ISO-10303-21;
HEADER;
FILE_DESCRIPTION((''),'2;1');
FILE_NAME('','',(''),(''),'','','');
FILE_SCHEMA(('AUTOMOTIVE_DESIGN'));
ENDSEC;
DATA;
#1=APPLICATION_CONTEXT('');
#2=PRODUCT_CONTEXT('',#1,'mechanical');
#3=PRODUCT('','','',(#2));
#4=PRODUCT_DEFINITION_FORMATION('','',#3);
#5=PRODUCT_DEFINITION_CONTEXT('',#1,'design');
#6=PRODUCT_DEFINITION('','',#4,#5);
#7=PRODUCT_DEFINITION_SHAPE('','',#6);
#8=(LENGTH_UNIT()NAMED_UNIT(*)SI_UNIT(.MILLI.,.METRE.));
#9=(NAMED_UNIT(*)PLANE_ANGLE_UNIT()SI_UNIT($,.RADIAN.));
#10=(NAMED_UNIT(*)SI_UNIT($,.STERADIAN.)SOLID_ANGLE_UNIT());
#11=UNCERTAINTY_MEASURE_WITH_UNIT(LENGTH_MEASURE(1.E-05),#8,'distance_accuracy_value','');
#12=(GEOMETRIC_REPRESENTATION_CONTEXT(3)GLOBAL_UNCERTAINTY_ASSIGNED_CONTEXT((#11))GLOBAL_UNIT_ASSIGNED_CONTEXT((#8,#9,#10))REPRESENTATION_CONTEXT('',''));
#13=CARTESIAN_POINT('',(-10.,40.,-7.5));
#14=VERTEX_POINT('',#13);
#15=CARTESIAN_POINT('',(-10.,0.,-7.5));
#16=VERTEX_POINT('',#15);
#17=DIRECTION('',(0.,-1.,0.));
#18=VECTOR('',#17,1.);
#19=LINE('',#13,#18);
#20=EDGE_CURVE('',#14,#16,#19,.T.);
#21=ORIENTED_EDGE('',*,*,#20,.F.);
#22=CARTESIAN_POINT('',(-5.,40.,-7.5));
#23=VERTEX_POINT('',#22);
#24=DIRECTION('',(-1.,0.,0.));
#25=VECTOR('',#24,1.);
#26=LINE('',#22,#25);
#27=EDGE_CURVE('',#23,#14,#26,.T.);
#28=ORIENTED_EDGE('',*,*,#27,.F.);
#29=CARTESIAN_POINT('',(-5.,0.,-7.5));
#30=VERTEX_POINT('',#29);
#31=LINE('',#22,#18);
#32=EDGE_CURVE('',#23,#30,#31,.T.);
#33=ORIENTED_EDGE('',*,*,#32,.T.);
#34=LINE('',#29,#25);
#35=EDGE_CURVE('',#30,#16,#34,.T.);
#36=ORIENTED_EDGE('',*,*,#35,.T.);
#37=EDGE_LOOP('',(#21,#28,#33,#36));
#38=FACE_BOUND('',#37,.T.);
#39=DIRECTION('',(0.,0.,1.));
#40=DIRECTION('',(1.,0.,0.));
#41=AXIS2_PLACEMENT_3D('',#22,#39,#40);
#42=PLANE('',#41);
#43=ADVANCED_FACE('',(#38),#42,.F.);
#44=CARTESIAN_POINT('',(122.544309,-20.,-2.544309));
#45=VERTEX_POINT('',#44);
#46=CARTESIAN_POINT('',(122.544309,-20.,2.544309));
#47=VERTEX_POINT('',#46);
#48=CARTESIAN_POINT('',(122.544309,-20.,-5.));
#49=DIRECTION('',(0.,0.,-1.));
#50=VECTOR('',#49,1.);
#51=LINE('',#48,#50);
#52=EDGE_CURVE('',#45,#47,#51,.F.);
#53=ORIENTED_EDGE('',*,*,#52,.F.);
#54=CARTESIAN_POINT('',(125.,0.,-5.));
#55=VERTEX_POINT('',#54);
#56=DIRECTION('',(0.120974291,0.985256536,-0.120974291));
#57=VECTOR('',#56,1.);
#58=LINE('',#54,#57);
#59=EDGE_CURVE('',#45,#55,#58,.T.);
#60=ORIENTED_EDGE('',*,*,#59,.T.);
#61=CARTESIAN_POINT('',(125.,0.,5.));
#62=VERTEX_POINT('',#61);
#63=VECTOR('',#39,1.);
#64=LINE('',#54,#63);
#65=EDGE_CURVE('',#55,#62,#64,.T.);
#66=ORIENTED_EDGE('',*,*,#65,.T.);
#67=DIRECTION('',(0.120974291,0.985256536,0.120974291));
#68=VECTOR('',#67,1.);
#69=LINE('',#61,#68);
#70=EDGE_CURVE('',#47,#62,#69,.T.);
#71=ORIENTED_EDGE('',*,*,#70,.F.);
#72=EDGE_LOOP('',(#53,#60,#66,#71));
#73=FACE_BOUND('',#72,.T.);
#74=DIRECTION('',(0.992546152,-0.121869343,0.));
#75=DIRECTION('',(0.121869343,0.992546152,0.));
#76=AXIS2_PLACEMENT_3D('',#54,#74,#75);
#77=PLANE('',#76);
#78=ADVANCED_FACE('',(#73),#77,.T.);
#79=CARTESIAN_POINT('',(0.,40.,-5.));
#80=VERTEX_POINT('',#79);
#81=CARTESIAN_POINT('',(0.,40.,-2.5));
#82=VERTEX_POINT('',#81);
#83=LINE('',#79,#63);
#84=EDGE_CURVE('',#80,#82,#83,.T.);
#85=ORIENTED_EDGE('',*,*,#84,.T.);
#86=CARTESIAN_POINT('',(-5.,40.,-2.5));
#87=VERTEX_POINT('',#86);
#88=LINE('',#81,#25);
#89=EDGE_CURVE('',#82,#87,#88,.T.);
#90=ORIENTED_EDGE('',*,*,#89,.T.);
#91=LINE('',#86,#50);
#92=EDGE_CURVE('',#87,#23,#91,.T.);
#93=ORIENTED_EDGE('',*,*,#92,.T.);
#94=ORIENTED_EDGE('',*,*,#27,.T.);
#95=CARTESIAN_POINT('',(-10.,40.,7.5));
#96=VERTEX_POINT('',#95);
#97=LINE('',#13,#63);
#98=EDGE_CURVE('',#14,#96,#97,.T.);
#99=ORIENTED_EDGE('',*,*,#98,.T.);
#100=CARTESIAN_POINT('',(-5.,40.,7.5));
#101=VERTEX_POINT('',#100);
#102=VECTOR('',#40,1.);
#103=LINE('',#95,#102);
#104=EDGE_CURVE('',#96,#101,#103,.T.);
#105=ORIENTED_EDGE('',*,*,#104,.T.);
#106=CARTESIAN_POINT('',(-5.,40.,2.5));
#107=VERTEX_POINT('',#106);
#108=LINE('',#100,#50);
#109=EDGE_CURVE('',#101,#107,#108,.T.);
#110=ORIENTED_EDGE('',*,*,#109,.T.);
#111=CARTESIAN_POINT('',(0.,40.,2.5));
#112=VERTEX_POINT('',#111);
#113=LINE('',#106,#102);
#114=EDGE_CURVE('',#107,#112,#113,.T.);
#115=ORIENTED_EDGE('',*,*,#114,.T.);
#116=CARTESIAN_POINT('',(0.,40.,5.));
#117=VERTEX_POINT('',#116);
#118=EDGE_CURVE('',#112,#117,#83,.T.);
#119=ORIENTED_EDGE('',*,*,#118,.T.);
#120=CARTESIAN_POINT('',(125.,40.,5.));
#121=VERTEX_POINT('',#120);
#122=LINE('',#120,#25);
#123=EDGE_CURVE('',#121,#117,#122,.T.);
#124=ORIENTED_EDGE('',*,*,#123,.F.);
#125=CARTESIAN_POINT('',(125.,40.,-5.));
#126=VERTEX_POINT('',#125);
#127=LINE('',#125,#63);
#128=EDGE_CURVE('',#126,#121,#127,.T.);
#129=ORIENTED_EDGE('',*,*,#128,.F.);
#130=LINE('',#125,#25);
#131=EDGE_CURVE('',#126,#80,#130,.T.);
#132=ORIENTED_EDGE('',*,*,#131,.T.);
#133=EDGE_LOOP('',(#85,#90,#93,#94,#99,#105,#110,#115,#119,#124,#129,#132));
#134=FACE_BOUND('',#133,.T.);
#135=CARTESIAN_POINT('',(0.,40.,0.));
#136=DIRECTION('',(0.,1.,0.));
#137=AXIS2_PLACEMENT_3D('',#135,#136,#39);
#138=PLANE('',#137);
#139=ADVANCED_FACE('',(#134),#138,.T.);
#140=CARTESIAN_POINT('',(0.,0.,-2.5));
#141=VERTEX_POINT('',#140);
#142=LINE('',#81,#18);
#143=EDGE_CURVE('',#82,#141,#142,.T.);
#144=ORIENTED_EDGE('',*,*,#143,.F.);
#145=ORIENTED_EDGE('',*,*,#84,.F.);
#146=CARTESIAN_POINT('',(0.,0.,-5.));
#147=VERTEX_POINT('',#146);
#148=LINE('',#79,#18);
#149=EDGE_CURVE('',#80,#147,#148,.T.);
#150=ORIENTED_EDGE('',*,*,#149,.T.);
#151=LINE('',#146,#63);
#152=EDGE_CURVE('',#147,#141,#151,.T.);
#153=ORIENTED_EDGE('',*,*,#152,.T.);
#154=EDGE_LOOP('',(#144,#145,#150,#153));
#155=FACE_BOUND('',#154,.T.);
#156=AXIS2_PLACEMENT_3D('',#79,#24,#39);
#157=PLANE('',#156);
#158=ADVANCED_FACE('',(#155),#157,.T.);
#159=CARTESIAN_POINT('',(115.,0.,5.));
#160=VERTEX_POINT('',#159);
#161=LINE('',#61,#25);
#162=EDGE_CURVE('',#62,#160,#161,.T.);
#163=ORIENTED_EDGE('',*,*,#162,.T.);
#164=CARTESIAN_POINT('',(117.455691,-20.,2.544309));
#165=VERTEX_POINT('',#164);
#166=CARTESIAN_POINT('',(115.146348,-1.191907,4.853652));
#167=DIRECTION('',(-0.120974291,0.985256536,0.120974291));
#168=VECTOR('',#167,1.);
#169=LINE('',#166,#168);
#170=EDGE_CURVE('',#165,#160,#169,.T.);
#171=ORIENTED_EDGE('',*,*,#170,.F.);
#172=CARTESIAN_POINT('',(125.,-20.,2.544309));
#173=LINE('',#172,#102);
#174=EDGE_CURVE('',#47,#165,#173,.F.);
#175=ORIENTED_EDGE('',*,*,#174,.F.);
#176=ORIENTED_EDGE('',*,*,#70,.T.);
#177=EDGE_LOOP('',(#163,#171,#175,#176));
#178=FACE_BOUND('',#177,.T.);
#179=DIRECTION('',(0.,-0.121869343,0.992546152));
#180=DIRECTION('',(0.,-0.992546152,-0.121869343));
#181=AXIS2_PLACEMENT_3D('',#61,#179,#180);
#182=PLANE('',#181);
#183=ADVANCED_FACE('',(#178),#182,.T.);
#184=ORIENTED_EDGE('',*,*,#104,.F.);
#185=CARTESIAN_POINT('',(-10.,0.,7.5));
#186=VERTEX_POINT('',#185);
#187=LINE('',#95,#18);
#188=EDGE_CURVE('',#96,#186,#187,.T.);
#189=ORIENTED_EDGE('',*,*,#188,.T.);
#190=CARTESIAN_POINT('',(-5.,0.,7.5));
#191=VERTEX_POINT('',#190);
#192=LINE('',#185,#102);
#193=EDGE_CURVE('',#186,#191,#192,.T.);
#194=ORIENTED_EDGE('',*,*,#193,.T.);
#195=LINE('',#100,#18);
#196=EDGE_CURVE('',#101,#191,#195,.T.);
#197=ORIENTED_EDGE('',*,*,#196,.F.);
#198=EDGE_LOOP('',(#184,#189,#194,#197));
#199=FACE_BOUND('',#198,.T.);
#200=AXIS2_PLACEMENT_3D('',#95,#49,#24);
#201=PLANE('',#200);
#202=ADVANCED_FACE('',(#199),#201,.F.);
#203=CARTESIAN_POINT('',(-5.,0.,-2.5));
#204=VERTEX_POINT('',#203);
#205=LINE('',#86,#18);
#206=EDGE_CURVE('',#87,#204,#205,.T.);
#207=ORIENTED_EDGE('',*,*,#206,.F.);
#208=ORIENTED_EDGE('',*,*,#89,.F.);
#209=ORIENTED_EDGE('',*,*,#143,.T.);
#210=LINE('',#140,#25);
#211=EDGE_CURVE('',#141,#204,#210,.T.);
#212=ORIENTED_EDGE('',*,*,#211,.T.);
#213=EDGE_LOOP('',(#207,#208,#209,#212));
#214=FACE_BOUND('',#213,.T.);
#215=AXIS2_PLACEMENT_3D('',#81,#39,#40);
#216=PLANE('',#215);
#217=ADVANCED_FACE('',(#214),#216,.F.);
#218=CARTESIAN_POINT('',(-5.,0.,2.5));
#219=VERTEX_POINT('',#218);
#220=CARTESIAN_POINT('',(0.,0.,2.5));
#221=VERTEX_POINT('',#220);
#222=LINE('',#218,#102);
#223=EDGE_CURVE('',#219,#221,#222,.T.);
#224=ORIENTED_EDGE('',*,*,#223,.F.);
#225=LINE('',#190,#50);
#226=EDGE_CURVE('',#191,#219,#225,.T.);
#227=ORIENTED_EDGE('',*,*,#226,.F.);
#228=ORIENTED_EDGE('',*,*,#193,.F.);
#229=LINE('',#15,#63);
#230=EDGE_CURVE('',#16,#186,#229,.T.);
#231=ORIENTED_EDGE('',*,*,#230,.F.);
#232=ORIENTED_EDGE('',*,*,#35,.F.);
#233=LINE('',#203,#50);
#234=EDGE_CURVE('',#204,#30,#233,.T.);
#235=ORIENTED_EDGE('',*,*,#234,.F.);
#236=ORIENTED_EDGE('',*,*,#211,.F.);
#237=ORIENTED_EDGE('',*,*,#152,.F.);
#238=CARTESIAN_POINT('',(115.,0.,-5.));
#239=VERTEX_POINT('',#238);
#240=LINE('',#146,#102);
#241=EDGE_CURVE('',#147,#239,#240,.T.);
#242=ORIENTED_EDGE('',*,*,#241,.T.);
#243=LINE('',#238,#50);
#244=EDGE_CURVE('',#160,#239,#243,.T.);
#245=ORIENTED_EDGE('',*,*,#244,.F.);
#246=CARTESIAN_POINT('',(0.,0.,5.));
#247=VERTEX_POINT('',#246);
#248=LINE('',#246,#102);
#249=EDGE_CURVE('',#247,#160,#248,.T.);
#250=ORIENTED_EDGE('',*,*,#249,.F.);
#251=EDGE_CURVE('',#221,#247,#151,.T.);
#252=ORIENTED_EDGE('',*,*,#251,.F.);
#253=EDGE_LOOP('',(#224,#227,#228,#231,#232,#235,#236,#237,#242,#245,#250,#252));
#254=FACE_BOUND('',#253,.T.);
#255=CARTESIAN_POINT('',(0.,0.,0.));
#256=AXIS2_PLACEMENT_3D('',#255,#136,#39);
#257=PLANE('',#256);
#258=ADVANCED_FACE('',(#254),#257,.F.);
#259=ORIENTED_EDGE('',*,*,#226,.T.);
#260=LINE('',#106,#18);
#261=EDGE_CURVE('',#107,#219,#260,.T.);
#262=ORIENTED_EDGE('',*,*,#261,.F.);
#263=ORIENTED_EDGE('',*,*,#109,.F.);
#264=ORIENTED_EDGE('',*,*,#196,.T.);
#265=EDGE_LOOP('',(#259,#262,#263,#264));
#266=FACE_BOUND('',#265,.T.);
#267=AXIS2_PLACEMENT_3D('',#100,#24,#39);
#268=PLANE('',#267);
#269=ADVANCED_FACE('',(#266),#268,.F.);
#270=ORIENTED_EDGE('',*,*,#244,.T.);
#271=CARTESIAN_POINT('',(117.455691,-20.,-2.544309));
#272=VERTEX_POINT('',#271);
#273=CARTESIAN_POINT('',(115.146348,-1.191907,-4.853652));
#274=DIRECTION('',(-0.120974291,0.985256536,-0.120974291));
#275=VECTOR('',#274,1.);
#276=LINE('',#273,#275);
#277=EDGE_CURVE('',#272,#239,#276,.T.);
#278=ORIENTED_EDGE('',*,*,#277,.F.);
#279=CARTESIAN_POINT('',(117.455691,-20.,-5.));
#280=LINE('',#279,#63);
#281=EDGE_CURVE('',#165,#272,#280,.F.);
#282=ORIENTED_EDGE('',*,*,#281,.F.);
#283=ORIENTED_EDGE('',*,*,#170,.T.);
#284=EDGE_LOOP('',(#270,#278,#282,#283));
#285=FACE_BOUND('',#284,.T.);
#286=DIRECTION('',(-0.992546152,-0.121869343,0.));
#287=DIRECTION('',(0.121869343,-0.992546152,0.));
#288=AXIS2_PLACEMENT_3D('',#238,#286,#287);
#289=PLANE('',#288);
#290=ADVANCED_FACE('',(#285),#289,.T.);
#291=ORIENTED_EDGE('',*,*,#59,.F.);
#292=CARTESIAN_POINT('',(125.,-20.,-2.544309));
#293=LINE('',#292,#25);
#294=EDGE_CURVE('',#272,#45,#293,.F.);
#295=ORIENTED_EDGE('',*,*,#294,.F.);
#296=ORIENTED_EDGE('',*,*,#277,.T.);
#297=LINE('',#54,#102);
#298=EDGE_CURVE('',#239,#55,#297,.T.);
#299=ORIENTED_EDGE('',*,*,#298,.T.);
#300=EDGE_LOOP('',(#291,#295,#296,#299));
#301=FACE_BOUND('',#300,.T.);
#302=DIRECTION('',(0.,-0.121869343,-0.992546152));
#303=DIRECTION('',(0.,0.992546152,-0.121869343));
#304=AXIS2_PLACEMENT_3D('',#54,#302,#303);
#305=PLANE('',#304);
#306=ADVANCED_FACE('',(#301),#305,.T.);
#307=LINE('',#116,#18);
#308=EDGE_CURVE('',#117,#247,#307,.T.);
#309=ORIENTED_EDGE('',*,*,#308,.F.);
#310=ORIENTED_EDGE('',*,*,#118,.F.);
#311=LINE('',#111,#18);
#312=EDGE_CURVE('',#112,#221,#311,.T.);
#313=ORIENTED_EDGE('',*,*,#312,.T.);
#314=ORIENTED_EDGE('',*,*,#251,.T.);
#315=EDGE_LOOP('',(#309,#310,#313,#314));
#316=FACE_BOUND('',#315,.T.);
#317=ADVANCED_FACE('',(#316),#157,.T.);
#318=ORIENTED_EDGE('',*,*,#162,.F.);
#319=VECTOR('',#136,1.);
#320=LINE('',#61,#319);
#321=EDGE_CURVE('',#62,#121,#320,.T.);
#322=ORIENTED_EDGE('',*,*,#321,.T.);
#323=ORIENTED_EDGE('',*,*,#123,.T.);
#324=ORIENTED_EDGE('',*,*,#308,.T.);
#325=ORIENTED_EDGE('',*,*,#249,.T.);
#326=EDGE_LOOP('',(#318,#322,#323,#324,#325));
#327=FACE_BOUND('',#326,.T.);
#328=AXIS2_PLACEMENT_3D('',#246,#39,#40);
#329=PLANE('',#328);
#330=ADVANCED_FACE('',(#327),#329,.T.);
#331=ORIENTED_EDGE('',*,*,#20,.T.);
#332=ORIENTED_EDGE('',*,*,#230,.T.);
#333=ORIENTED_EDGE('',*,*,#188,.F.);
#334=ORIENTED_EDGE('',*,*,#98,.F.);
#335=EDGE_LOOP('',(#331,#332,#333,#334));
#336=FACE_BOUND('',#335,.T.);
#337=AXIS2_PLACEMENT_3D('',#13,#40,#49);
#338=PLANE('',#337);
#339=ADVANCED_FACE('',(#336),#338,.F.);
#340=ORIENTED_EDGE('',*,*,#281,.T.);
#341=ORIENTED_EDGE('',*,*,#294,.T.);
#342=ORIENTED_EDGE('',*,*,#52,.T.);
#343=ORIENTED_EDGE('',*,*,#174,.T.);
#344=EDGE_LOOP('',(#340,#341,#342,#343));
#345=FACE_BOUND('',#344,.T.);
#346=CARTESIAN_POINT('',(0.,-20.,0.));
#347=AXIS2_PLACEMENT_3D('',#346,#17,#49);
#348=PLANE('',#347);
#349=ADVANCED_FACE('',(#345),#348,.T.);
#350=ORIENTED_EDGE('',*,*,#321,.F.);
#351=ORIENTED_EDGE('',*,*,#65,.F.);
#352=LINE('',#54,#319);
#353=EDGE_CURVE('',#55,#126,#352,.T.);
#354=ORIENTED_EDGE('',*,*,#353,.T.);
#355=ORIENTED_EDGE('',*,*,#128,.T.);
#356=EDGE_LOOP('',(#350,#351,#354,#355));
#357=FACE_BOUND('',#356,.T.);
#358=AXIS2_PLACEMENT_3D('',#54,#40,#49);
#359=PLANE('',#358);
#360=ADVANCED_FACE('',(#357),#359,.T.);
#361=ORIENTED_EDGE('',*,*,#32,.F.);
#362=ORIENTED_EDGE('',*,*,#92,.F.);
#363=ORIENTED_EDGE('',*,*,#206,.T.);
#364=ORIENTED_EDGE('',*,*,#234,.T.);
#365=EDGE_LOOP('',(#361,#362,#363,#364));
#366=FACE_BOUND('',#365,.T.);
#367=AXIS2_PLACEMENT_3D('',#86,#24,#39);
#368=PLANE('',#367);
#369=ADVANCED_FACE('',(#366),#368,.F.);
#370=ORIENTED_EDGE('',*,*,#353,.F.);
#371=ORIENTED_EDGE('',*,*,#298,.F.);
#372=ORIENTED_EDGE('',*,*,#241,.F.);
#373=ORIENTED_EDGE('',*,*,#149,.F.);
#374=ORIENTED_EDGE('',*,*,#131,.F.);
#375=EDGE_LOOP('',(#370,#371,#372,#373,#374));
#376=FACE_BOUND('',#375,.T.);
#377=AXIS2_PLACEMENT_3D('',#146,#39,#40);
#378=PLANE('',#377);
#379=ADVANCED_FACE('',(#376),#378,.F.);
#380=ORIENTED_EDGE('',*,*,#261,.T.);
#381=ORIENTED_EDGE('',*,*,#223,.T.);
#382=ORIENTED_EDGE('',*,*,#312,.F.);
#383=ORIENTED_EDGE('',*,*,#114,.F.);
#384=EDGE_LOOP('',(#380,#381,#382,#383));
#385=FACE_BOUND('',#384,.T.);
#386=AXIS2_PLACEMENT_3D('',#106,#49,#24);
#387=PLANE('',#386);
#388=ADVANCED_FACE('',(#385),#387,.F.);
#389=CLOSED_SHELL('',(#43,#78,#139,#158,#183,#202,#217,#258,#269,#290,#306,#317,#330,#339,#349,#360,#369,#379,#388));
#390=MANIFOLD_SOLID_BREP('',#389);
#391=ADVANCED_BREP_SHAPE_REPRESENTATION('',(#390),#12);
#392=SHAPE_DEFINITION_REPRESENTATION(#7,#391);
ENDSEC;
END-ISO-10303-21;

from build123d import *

# Parameters (mm, degrees)
BOSS_EXTRUDE1_DEPTH      = 40
SKETCH3_W                = 125
SKETCH3_H                = 40
BOSS_EXTRUDE2_DEPTH      = 5
BOSS_EXTRUDE2_DEPTH_BACK = 5
SKETCH4_W                = 10
SKETCH4_H                = 10
BOSS_EXTRUDE3_DEPTH      = 20
BOSS_EXTRUDE3_TAPER      = 7


with BuildPart() as part:
    # Sketch2 → Boss-Extrude1 (new body)
    with BuildSketch(Plane(origin=(0, 0, 0), x_dir=(1, 0, 0), z_dir=(0, 1, 0))):
        Polygon((-10, 7.5), (-10, -7.5), (-5, -7.5), (-5, -2.5), (0, -2.5), (0, 2.5), (-5, 2.5), (-5, 7.5), align=None)
    extrude(amount=BOSS_EXTRUDE1_DEPTH)

    # Sketch3 → Boss-Extrude2 (add, two sides)
    with BuildSketch(Plane.XY) as boss_extrude2_sk:
        with Locations((62.5, 20)):
            Rectangle(SKETCH3_W, SKETCH3_H)
    extrude(amount=BOSS_EXTRUDE2_DEPTH)
    extrude(boss_extrude2_sk.sketch, amount=-BOSS_EXTRUDE2_DEPTH_BACK)

    # Sketch4 → Boss-Extrude3 (add)
    with BuildSketch(Plane.XZ):
        with Locations((120, 0)):
            Rectangle(SKETCH4_W, SKETCH4_H)
    extrude(amount=BOSS_EXTRUDE3_DEPTH, taper=BOSS_EXTRUDE3_TAPER)


solid = part.part
